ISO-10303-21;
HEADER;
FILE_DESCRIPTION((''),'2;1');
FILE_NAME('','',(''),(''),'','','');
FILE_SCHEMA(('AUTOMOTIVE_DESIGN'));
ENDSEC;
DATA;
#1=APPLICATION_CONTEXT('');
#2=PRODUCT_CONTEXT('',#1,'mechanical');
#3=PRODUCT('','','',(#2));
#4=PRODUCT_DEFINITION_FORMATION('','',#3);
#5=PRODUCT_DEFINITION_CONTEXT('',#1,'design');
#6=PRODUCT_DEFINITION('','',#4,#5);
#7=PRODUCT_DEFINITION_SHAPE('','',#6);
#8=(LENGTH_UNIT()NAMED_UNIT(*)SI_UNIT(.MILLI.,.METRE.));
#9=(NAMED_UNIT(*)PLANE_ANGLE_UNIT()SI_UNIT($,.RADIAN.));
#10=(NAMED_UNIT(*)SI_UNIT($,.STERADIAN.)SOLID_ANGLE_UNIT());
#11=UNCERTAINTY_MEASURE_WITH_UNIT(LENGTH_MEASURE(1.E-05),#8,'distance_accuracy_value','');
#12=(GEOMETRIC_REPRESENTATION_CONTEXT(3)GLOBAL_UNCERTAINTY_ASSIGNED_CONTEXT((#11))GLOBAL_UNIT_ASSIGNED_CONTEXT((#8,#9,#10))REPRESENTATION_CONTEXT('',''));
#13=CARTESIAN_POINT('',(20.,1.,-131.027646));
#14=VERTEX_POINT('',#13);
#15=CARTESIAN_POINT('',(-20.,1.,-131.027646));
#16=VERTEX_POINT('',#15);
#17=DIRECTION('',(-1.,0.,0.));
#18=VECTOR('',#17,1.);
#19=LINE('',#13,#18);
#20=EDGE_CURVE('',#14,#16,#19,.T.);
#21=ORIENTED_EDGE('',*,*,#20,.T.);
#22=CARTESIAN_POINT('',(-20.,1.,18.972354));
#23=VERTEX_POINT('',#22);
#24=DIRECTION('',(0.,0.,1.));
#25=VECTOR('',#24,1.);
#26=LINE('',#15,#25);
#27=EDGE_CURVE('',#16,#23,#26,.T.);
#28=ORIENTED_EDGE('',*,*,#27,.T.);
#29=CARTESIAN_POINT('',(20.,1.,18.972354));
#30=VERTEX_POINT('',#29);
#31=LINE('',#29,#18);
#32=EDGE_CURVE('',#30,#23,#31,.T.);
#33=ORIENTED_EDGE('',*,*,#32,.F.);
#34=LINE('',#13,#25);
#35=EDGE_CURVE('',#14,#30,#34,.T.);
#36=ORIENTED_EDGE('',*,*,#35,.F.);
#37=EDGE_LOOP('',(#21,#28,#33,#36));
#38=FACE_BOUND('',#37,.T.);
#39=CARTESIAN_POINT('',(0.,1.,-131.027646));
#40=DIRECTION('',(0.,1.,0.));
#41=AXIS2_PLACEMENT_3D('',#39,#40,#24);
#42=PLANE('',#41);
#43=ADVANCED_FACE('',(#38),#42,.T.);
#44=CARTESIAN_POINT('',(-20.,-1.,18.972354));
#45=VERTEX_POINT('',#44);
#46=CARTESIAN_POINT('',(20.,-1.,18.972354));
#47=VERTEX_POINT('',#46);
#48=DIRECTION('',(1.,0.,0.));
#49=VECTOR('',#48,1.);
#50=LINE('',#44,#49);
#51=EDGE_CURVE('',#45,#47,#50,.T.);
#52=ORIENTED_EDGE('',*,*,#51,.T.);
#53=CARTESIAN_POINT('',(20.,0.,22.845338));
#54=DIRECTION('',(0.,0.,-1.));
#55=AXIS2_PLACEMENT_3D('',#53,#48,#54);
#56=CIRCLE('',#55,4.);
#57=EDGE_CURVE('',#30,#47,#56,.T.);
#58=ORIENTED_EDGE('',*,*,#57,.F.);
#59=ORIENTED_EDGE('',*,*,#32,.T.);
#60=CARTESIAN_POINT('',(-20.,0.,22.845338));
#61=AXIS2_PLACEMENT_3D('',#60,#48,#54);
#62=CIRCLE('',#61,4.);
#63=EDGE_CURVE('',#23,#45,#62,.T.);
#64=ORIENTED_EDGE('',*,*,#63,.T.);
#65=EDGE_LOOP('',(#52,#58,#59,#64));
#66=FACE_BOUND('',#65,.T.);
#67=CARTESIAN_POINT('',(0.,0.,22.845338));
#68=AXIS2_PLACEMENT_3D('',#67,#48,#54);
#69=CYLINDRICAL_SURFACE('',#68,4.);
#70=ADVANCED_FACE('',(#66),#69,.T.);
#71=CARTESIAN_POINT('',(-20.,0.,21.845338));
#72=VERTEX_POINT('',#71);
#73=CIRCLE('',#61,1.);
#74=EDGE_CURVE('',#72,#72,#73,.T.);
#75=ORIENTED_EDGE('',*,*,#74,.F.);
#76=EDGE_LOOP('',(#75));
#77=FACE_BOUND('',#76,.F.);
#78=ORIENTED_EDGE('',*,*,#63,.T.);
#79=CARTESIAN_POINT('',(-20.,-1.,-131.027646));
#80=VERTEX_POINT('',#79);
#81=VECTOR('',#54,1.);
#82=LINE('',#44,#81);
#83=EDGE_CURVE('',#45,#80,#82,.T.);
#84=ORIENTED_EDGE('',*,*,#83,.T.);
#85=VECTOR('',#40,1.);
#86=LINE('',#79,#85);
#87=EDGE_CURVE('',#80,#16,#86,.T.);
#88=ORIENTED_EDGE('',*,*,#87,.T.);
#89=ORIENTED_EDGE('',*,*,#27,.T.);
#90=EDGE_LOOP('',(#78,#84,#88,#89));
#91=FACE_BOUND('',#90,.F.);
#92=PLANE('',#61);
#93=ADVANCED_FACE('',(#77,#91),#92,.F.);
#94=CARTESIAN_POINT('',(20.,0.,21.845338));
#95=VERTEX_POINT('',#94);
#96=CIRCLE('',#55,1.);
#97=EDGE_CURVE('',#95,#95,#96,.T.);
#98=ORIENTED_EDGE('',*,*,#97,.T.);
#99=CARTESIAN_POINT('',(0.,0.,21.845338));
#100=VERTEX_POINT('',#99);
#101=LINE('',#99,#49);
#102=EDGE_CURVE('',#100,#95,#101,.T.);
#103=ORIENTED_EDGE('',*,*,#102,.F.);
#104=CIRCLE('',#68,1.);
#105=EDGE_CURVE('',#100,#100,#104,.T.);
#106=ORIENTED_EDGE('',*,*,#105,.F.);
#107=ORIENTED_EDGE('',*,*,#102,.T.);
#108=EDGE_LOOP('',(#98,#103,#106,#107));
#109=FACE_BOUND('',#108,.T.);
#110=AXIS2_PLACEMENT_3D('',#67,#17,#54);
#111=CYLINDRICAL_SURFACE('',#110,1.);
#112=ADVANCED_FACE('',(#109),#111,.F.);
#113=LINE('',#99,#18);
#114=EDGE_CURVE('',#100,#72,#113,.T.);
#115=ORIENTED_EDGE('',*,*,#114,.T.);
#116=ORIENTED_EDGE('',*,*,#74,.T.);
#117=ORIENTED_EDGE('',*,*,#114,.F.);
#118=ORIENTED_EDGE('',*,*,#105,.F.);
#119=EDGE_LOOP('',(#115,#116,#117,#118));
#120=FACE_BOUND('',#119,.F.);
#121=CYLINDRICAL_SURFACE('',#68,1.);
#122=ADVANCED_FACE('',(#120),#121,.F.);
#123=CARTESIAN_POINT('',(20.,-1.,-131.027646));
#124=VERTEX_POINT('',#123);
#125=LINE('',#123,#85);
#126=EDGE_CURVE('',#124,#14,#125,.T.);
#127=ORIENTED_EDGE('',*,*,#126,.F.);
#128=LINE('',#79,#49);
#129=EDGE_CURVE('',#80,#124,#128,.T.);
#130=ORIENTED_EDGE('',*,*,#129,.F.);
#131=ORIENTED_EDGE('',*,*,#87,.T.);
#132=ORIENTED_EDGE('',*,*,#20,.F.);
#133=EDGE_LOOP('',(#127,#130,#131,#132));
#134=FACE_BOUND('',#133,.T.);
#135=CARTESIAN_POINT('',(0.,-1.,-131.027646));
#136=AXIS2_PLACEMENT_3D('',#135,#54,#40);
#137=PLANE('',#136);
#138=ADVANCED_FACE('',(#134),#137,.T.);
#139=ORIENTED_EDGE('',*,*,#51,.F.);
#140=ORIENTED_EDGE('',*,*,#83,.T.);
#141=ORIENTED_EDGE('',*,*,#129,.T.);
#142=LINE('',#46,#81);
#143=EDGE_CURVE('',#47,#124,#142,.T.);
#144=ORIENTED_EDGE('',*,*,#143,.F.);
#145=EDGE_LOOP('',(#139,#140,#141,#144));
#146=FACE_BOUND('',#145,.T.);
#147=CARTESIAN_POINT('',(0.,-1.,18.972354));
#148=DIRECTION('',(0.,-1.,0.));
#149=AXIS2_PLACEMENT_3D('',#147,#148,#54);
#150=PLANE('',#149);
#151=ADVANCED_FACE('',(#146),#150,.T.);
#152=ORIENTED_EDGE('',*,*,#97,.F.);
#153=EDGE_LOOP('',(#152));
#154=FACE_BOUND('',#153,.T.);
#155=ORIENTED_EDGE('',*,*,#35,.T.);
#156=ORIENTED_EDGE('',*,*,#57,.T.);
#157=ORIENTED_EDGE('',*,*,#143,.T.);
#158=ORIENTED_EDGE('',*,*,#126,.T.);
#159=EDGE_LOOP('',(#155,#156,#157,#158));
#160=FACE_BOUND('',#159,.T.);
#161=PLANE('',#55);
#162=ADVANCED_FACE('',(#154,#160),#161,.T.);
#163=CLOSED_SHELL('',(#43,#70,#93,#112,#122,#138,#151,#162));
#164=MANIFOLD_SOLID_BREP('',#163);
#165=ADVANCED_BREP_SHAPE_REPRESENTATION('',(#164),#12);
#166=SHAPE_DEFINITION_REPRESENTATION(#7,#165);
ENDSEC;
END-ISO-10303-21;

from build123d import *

# Parameters (mm, degrees)
SKETCH1_R                = 4
SKETCH1_R_2              = 1
BOSS_EXTRUDE1_DEPTH      = 20
BOSS_EXTRUDE1_DEPTH_BACK = 20


with BuildPart() as part:
    # Sketch1 → Boss-Extrude1 (new body, two sides)
    with BuildSketch(Plane(origin=(0, 0, 0), x_dir=(0, 0, -1), z_dir=(1, 0, 0))) as boss_extrude1_sk:
        with Locations((-22.845337752, 0)):
            Circle(SKETCH1_R)
        with Locations((-22.845337752, 0)):
            Circle(SKETCH1_R_2, mode=Mode.SUBTRACT)
        with BuildLine():
            Line((131.027645594, 1), (-18.972354406, 1))
            ThreePointArc((-18.972354406, 1), (-18.877218967, 0.50401717), (-18.845337752, 0))
            ThreePointArc((-18.845337752, 0), (-18.877218967, -0.50401717), (-18.972354406, -1))
            Line((-18.972354406, -1), (131.027645594, -1))
            Line((131.027645594, -1), (131.027645594, 1))
        make_face()
    extrude(amount=BOSS_EXTRUDE1_DEPTH)
    extrude(boss_extrude1_sk.sketch, amount=-BOSS_EXTRUDE1_DEPTH_BACK)


solid = part.part
